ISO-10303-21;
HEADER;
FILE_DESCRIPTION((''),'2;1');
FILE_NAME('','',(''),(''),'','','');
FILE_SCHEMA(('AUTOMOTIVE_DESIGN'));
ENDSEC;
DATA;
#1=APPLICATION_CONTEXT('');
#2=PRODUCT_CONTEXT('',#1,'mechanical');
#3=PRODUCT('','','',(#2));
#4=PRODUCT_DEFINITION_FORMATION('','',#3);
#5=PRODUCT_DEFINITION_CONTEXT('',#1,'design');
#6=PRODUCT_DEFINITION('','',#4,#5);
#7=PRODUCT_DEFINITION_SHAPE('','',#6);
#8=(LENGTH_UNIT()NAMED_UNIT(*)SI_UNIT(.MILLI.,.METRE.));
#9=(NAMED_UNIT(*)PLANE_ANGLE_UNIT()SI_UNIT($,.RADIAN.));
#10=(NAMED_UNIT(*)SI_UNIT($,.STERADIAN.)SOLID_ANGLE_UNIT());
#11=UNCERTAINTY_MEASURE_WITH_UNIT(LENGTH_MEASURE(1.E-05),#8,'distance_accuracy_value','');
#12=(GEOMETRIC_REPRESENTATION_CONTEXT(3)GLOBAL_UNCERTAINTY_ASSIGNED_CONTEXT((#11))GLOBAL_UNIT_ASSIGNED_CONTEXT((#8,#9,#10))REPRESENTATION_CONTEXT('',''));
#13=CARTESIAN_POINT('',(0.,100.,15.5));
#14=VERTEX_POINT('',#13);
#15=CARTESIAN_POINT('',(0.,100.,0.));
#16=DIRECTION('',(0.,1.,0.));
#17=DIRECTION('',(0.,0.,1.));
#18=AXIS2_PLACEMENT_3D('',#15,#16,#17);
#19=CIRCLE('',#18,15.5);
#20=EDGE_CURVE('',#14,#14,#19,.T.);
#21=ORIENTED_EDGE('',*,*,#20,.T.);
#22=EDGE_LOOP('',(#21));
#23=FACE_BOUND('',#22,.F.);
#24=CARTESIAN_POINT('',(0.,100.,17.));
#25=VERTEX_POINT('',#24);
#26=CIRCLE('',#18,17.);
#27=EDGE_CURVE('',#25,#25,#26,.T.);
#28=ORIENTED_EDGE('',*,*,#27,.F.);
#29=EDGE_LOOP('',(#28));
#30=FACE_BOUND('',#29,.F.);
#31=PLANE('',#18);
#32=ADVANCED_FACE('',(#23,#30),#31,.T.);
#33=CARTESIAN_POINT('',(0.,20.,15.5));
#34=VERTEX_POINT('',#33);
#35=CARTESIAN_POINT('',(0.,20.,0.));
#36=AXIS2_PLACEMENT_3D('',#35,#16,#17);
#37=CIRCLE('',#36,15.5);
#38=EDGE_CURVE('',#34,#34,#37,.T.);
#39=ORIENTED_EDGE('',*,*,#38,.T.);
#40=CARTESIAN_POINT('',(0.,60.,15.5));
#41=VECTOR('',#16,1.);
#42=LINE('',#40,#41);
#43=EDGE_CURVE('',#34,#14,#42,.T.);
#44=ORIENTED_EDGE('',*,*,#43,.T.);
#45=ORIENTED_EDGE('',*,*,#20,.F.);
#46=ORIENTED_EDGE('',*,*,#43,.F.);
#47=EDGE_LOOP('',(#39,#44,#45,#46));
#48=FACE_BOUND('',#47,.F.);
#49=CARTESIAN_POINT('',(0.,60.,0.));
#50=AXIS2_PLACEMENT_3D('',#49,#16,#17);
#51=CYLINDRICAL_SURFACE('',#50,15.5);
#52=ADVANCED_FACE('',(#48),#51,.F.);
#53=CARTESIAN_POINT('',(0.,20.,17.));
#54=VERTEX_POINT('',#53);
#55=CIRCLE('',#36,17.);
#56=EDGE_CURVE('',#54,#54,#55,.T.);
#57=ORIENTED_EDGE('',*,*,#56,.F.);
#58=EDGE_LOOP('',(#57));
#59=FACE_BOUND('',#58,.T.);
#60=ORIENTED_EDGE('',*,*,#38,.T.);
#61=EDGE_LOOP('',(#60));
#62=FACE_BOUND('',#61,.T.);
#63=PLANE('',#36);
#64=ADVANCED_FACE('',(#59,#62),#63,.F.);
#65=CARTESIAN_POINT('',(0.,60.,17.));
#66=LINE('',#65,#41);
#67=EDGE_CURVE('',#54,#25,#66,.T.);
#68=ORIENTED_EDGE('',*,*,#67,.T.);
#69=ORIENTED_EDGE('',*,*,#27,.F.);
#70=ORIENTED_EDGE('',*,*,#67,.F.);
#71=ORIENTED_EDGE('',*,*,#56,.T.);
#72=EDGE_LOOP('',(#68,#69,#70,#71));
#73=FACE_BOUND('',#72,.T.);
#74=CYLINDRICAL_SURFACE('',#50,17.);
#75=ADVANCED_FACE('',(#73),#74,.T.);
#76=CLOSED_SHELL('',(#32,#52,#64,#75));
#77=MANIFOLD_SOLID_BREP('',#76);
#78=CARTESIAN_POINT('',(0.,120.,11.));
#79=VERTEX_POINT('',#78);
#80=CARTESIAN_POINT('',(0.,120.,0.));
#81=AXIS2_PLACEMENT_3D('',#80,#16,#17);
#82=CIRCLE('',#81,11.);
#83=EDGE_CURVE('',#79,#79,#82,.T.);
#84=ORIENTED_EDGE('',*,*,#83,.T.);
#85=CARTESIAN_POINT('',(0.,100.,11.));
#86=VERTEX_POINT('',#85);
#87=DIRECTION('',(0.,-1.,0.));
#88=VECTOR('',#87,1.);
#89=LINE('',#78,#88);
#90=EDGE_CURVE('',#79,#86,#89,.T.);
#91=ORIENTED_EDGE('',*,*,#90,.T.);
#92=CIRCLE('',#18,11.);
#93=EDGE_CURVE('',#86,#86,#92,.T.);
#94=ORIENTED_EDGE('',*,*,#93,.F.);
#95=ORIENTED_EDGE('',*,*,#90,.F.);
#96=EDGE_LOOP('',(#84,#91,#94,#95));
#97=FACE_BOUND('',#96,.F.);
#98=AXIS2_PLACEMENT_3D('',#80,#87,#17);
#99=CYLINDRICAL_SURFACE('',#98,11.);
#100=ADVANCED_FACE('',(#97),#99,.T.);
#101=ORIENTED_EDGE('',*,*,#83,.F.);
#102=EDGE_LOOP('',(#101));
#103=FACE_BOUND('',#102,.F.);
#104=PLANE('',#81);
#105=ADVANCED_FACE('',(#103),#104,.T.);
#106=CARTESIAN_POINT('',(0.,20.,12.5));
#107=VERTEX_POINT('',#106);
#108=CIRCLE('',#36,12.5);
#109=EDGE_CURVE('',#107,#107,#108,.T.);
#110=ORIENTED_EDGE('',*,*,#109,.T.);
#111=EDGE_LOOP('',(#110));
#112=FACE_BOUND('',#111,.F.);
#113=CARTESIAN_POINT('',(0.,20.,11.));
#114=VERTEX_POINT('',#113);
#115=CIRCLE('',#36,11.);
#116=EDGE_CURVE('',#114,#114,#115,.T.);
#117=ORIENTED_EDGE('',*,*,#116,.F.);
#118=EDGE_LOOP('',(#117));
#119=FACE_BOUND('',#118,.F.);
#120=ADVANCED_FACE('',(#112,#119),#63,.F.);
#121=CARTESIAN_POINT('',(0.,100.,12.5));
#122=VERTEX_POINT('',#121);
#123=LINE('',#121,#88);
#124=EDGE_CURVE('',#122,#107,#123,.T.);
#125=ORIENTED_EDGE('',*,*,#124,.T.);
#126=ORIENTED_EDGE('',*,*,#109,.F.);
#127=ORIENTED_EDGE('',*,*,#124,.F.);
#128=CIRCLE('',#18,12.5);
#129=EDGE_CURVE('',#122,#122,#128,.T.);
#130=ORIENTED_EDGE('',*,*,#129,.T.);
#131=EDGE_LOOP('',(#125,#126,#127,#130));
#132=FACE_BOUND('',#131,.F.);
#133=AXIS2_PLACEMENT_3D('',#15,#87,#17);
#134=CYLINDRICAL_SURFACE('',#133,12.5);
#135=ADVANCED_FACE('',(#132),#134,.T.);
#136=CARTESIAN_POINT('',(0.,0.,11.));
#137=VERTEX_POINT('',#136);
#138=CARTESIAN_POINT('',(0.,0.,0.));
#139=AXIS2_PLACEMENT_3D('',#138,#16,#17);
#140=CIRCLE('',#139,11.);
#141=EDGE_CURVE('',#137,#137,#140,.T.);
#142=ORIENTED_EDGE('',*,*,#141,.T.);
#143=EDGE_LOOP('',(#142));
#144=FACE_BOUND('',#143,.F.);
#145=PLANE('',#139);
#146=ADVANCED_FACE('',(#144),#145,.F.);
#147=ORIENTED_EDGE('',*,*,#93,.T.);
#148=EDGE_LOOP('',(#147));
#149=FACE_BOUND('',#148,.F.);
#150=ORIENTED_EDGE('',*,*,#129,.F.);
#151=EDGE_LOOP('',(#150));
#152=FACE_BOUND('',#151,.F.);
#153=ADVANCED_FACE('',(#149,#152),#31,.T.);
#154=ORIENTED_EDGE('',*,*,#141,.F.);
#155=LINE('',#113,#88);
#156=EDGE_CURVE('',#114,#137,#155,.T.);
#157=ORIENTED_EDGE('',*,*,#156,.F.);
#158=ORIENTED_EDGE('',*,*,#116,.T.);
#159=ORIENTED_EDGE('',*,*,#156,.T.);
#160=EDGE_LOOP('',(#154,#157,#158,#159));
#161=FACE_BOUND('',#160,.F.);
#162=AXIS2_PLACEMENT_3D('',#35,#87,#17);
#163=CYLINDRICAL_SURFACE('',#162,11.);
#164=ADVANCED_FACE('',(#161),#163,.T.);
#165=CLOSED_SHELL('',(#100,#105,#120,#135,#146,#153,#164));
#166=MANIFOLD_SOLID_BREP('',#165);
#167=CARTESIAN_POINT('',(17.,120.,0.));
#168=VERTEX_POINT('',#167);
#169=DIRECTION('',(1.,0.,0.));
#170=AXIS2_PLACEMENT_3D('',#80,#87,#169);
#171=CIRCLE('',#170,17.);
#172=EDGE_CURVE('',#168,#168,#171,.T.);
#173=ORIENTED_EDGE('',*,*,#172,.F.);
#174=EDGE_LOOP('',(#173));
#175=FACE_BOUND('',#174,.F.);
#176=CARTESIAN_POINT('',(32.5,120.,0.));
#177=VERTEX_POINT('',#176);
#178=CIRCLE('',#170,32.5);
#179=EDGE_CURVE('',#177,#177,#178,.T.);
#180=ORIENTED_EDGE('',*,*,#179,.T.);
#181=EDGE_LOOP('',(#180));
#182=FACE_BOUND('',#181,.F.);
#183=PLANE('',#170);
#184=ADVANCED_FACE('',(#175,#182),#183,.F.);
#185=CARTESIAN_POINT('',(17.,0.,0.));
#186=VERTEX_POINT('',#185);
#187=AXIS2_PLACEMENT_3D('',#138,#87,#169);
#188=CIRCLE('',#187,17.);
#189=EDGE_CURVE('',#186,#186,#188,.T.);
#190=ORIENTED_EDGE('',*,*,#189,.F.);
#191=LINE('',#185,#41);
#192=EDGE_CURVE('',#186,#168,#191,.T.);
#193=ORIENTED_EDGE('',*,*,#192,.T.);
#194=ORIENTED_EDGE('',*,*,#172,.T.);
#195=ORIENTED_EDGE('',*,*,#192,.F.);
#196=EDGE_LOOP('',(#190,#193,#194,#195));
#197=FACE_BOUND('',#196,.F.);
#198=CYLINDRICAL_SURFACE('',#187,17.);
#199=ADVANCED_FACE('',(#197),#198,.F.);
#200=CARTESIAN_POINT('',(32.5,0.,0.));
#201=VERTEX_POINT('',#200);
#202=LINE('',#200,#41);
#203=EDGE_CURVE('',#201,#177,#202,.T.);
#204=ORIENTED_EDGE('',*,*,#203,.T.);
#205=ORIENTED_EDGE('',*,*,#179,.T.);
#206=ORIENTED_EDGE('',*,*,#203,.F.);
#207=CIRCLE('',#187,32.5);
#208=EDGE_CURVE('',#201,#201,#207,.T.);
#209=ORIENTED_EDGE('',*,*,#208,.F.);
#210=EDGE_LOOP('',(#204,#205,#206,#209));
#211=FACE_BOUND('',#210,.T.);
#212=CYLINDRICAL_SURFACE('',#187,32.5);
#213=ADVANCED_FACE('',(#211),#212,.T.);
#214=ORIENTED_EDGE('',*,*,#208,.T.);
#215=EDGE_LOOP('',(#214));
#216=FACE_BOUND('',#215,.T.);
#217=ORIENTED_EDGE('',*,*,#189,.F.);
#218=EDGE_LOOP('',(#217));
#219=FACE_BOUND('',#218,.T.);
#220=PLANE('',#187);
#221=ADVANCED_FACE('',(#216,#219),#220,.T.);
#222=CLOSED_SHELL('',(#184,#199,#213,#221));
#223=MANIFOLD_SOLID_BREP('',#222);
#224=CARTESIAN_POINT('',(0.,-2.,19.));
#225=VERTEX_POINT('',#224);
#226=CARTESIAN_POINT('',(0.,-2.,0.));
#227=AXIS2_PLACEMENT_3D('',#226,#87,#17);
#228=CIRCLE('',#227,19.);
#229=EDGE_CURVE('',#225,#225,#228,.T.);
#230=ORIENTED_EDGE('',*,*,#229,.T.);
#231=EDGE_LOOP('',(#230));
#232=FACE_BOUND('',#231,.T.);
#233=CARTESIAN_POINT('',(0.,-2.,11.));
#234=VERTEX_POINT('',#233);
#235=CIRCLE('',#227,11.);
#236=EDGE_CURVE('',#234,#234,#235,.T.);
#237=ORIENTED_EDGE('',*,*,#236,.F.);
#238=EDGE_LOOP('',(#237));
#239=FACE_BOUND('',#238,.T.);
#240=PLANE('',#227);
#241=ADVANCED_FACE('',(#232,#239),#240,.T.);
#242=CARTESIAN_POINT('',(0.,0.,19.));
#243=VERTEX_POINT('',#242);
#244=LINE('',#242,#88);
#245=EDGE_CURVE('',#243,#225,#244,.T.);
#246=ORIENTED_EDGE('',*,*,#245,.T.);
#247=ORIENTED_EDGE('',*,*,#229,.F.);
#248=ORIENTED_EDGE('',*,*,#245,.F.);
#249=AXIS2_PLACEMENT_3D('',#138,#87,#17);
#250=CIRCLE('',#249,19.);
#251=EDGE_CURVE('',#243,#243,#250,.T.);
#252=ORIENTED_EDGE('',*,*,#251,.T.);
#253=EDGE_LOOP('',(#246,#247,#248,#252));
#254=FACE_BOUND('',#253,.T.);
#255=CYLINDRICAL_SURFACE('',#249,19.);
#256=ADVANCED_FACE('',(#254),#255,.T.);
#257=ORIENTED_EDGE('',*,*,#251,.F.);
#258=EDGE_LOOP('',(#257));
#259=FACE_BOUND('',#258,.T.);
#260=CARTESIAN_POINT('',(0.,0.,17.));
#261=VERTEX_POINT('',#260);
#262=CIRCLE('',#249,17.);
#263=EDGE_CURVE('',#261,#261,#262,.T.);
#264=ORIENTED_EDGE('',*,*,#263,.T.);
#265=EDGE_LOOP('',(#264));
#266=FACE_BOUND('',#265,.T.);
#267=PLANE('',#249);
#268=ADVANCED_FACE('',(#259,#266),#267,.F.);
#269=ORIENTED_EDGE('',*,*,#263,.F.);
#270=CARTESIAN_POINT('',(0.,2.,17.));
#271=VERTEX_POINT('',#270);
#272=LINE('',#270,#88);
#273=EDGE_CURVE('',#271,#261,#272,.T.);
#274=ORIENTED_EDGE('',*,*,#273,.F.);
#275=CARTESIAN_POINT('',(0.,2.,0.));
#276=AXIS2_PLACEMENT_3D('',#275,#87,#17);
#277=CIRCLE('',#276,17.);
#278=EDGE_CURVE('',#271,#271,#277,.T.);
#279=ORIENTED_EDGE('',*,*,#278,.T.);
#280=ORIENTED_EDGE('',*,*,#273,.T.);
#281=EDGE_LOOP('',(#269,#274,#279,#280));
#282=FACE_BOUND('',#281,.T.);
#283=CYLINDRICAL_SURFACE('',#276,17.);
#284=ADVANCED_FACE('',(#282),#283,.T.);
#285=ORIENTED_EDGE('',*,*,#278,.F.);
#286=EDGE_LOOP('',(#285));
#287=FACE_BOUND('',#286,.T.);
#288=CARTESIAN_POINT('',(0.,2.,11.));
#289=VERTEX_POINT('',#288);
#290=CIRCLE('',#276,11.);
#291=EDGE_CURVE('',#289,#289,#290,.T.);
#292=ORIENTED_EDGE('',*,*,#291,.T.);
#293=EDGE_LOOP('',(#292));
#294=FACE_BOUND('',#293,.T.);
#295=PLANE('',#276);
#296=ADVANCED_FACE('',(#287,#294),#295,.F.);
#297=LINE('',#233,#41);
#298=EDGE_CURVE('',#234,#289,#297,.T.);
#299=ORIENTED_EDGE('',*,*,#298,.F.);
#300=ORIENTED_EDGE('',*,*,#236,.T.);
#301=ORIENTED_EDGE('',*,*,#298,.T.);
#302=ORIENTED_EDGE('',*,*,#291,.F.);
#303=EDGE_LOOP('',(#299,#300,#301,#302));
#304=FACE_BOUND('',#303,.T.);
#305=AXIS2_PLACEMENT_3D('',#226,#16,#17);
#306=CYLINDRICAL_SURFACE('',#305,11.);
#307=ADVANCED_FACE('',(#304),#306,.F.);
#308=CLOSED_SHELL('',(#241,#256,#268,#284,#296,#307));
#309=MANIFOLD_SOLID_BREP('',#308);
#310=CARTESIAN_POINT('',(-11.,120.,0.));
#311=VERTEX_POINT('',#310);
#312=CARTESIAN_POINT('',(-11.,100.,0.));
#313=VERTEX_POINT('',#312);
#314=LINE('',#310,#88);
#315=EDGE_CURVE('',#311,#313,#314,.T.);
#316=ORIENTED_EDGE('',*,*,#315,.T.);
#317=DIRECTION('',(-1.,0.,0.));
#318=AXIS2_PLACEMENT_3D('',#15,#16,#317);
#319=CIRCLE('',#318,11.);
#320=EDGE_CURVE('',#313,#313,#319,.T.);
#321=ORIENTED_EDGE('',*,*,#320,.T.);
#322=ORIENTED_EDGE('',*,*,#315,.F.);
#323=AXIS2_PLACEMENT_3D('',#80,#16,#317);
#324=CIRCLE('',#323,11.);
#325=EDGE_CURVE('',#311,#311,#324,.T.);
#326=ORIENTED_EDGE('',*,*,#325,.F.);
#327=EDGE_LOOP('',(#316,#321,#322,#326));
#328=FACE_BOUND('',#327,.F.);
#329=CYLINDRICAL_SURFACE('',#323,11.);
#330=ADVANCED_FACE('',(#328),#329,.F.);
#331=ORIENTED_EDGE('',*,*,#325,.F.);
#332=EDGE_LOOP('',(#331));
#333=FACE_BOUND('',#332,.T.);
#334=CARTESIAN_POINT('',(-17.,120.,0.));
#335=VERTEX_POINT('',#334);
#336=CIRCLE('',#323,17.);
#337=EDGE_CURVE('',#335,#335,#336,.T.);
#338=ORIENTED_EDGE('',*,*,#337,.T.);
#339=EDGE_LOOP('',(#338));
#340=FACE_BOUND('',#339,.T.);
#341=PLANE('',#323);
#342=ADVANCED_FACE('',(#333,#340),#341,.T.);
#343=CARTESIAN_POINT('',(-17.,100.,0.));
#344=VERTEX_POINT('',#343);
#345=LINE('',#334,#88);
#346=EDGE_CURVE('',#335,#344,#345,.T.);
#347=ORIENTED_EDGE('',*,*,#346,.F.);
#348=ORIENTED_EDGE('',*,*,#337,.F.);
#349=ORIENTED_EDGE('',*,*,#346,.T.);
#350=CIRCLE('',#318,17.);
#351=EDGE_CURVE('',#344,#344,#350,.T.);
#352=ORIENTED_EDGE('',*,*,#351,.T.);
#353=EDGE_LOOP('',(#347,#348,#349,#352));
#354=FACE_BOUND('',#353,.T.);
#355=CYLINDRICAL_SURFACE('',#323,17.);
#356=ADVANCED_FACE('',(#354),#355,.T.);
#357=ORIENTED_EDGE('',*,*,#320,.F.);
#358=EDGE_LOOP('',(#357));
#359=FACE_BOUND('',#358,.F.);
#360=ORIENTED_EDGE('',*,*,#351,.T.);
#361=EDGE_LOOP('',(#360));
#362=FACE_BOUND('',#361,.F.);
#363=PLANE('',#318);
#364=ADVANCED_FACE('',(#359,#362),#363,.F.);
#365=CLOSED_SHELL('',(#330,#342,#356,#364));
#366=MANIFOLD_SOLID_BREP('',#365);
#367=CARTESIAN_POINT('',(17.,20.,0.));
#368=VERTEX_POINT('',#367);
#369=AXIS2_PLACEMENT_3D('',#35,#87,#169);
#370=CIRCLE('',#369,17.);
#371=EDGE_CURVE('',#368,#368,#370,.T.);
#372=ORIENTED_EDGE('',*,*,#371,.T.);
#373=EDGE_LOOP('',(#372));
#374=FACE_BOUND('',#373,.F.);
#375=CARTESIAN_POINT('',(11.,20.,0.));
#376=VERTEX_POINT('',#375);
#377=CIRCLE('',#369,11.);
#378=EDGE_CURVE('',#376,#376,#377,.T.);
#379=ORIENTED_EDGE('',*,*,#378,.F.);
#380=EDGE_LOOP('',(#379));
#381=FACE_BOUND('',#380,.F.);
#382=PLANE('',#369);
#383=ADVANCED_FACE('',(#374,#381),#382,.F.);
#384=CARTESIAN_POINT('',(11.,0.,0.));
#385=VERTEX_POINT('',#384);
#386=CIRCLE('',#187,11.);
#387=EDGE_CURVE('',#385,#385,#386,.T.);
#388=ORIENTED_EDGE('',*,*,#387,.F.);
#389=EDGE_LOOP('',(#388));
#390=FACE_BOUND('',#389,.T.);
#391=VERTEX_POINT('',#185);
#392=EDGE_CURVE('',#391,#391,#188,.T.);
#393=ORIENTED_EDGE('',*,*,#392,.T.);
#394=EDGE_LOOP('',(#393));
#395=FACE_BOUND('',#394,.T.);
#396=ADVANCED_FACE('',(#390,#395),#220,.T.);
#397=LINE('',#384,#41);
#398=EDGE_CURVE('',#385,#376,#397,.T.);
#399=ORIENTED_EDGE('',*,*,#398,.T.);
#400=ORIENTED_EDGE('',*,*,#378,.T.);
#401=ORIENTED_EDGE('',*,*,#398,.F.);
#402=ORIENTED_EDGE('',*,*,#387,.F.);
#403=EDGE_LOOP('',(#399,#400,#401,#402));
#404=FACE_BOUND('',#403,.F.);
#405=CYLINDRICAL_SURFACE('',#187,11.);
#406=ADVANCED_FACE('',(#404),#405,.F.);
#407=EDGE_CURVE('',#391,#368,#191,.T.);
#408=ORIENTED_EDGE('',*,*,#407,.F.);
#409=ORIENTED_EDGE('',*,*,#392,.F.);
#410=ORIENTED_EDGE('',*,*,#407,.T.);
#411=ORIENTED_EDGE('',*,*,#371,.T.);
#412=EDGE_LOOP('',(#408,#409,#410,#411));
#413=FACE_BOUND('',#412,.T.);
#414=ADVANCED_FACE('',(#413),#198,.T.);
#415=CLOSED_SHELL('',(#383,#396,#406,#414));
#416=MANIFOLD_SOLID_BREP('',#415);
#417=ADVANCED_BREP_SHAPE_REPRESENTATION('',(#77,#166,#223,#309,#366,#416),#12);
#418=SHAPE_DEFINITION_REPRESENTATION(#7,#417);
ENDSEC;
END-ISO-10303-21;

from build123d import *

# Parameters (mm, degrees)
F0_R     = 32.5
F0_R_2   = 17
F1_DEPTH = 120
F2_R     = 17
F2_R_2   = 11
F3_DEPTH = 20
F4_R     = 17
F4_R_2   = 11
F5_DEPTH = 20
F8_W     = 80
F8_H     = 1.5


with BuildPart() as f1:
    # F0 (on Front) → F1 (new body)
    with BuildSketch(Plane.XZ):
        Circle(F0_R)
        Circle(F0_R_2, mode=Mode.SUBTRACT)
    extrude(amount=-F1_DEPTH)


with BuildPart() as f3:
    # F2 (on face) → F3 (new body)
    with BuildSketch(Plane.XZ):
        Circle(F2_R)
        Circle(F2_R_2, mode=Mode.SUBTRACT)
    extrude(amount=-F3_DEPTH)


with BuildPart() as f5:
    # F4 (on face) → F5 (new body)
    with BuildSketch(Plane(origin=(0, 120, 0), x_dir=(-1, 0, 0), z_dir=(0, 1, 0))):
        Circle(F4_R)
        Circle(F4_R_2, mode=Mode.SUBTRACT)
    extrude(amount=-F5_DEPTH)


with BuildPart() as f7:
    # F6 (on Right) → F7 (revolve)
    with BuildSketch(Plane.YZ):
        Polygon((0, 11), (0, 0), (120, 0), (120, 11), (100, 11), (100, 12.5), (20, 12.5), (20, 11), align=None)
    revolve(axis=Axis((0, 61.001737, 0), (0, 1, 0)))


with BuildPart() as f9:
    # F8 (on Right) → F9 (revolve)
    with BuildSketch(Plane.YZ):
        with Locations((60, 16.25)):
            Rectangle(F8_W, F8_H)
    revolve(axis=Axis((0, 66.656585, 0), (0, 1, 0)))


with BuildPart() as f11:
    # F10 (on Right) → F11 (revolve)
    with BuildSketch(Plane.YZ):
        Polygon((0, 17), (0, 19), (-2, 19), (-2, 11), (2, 11), (2, 17), align=None)
    revolve(axis=Axis((0, -15.834864, 0), (0, -1, 0)))


solid = Compound([f1.part, f3.part, f5.part, f7.part, f9.part, f11.part])
